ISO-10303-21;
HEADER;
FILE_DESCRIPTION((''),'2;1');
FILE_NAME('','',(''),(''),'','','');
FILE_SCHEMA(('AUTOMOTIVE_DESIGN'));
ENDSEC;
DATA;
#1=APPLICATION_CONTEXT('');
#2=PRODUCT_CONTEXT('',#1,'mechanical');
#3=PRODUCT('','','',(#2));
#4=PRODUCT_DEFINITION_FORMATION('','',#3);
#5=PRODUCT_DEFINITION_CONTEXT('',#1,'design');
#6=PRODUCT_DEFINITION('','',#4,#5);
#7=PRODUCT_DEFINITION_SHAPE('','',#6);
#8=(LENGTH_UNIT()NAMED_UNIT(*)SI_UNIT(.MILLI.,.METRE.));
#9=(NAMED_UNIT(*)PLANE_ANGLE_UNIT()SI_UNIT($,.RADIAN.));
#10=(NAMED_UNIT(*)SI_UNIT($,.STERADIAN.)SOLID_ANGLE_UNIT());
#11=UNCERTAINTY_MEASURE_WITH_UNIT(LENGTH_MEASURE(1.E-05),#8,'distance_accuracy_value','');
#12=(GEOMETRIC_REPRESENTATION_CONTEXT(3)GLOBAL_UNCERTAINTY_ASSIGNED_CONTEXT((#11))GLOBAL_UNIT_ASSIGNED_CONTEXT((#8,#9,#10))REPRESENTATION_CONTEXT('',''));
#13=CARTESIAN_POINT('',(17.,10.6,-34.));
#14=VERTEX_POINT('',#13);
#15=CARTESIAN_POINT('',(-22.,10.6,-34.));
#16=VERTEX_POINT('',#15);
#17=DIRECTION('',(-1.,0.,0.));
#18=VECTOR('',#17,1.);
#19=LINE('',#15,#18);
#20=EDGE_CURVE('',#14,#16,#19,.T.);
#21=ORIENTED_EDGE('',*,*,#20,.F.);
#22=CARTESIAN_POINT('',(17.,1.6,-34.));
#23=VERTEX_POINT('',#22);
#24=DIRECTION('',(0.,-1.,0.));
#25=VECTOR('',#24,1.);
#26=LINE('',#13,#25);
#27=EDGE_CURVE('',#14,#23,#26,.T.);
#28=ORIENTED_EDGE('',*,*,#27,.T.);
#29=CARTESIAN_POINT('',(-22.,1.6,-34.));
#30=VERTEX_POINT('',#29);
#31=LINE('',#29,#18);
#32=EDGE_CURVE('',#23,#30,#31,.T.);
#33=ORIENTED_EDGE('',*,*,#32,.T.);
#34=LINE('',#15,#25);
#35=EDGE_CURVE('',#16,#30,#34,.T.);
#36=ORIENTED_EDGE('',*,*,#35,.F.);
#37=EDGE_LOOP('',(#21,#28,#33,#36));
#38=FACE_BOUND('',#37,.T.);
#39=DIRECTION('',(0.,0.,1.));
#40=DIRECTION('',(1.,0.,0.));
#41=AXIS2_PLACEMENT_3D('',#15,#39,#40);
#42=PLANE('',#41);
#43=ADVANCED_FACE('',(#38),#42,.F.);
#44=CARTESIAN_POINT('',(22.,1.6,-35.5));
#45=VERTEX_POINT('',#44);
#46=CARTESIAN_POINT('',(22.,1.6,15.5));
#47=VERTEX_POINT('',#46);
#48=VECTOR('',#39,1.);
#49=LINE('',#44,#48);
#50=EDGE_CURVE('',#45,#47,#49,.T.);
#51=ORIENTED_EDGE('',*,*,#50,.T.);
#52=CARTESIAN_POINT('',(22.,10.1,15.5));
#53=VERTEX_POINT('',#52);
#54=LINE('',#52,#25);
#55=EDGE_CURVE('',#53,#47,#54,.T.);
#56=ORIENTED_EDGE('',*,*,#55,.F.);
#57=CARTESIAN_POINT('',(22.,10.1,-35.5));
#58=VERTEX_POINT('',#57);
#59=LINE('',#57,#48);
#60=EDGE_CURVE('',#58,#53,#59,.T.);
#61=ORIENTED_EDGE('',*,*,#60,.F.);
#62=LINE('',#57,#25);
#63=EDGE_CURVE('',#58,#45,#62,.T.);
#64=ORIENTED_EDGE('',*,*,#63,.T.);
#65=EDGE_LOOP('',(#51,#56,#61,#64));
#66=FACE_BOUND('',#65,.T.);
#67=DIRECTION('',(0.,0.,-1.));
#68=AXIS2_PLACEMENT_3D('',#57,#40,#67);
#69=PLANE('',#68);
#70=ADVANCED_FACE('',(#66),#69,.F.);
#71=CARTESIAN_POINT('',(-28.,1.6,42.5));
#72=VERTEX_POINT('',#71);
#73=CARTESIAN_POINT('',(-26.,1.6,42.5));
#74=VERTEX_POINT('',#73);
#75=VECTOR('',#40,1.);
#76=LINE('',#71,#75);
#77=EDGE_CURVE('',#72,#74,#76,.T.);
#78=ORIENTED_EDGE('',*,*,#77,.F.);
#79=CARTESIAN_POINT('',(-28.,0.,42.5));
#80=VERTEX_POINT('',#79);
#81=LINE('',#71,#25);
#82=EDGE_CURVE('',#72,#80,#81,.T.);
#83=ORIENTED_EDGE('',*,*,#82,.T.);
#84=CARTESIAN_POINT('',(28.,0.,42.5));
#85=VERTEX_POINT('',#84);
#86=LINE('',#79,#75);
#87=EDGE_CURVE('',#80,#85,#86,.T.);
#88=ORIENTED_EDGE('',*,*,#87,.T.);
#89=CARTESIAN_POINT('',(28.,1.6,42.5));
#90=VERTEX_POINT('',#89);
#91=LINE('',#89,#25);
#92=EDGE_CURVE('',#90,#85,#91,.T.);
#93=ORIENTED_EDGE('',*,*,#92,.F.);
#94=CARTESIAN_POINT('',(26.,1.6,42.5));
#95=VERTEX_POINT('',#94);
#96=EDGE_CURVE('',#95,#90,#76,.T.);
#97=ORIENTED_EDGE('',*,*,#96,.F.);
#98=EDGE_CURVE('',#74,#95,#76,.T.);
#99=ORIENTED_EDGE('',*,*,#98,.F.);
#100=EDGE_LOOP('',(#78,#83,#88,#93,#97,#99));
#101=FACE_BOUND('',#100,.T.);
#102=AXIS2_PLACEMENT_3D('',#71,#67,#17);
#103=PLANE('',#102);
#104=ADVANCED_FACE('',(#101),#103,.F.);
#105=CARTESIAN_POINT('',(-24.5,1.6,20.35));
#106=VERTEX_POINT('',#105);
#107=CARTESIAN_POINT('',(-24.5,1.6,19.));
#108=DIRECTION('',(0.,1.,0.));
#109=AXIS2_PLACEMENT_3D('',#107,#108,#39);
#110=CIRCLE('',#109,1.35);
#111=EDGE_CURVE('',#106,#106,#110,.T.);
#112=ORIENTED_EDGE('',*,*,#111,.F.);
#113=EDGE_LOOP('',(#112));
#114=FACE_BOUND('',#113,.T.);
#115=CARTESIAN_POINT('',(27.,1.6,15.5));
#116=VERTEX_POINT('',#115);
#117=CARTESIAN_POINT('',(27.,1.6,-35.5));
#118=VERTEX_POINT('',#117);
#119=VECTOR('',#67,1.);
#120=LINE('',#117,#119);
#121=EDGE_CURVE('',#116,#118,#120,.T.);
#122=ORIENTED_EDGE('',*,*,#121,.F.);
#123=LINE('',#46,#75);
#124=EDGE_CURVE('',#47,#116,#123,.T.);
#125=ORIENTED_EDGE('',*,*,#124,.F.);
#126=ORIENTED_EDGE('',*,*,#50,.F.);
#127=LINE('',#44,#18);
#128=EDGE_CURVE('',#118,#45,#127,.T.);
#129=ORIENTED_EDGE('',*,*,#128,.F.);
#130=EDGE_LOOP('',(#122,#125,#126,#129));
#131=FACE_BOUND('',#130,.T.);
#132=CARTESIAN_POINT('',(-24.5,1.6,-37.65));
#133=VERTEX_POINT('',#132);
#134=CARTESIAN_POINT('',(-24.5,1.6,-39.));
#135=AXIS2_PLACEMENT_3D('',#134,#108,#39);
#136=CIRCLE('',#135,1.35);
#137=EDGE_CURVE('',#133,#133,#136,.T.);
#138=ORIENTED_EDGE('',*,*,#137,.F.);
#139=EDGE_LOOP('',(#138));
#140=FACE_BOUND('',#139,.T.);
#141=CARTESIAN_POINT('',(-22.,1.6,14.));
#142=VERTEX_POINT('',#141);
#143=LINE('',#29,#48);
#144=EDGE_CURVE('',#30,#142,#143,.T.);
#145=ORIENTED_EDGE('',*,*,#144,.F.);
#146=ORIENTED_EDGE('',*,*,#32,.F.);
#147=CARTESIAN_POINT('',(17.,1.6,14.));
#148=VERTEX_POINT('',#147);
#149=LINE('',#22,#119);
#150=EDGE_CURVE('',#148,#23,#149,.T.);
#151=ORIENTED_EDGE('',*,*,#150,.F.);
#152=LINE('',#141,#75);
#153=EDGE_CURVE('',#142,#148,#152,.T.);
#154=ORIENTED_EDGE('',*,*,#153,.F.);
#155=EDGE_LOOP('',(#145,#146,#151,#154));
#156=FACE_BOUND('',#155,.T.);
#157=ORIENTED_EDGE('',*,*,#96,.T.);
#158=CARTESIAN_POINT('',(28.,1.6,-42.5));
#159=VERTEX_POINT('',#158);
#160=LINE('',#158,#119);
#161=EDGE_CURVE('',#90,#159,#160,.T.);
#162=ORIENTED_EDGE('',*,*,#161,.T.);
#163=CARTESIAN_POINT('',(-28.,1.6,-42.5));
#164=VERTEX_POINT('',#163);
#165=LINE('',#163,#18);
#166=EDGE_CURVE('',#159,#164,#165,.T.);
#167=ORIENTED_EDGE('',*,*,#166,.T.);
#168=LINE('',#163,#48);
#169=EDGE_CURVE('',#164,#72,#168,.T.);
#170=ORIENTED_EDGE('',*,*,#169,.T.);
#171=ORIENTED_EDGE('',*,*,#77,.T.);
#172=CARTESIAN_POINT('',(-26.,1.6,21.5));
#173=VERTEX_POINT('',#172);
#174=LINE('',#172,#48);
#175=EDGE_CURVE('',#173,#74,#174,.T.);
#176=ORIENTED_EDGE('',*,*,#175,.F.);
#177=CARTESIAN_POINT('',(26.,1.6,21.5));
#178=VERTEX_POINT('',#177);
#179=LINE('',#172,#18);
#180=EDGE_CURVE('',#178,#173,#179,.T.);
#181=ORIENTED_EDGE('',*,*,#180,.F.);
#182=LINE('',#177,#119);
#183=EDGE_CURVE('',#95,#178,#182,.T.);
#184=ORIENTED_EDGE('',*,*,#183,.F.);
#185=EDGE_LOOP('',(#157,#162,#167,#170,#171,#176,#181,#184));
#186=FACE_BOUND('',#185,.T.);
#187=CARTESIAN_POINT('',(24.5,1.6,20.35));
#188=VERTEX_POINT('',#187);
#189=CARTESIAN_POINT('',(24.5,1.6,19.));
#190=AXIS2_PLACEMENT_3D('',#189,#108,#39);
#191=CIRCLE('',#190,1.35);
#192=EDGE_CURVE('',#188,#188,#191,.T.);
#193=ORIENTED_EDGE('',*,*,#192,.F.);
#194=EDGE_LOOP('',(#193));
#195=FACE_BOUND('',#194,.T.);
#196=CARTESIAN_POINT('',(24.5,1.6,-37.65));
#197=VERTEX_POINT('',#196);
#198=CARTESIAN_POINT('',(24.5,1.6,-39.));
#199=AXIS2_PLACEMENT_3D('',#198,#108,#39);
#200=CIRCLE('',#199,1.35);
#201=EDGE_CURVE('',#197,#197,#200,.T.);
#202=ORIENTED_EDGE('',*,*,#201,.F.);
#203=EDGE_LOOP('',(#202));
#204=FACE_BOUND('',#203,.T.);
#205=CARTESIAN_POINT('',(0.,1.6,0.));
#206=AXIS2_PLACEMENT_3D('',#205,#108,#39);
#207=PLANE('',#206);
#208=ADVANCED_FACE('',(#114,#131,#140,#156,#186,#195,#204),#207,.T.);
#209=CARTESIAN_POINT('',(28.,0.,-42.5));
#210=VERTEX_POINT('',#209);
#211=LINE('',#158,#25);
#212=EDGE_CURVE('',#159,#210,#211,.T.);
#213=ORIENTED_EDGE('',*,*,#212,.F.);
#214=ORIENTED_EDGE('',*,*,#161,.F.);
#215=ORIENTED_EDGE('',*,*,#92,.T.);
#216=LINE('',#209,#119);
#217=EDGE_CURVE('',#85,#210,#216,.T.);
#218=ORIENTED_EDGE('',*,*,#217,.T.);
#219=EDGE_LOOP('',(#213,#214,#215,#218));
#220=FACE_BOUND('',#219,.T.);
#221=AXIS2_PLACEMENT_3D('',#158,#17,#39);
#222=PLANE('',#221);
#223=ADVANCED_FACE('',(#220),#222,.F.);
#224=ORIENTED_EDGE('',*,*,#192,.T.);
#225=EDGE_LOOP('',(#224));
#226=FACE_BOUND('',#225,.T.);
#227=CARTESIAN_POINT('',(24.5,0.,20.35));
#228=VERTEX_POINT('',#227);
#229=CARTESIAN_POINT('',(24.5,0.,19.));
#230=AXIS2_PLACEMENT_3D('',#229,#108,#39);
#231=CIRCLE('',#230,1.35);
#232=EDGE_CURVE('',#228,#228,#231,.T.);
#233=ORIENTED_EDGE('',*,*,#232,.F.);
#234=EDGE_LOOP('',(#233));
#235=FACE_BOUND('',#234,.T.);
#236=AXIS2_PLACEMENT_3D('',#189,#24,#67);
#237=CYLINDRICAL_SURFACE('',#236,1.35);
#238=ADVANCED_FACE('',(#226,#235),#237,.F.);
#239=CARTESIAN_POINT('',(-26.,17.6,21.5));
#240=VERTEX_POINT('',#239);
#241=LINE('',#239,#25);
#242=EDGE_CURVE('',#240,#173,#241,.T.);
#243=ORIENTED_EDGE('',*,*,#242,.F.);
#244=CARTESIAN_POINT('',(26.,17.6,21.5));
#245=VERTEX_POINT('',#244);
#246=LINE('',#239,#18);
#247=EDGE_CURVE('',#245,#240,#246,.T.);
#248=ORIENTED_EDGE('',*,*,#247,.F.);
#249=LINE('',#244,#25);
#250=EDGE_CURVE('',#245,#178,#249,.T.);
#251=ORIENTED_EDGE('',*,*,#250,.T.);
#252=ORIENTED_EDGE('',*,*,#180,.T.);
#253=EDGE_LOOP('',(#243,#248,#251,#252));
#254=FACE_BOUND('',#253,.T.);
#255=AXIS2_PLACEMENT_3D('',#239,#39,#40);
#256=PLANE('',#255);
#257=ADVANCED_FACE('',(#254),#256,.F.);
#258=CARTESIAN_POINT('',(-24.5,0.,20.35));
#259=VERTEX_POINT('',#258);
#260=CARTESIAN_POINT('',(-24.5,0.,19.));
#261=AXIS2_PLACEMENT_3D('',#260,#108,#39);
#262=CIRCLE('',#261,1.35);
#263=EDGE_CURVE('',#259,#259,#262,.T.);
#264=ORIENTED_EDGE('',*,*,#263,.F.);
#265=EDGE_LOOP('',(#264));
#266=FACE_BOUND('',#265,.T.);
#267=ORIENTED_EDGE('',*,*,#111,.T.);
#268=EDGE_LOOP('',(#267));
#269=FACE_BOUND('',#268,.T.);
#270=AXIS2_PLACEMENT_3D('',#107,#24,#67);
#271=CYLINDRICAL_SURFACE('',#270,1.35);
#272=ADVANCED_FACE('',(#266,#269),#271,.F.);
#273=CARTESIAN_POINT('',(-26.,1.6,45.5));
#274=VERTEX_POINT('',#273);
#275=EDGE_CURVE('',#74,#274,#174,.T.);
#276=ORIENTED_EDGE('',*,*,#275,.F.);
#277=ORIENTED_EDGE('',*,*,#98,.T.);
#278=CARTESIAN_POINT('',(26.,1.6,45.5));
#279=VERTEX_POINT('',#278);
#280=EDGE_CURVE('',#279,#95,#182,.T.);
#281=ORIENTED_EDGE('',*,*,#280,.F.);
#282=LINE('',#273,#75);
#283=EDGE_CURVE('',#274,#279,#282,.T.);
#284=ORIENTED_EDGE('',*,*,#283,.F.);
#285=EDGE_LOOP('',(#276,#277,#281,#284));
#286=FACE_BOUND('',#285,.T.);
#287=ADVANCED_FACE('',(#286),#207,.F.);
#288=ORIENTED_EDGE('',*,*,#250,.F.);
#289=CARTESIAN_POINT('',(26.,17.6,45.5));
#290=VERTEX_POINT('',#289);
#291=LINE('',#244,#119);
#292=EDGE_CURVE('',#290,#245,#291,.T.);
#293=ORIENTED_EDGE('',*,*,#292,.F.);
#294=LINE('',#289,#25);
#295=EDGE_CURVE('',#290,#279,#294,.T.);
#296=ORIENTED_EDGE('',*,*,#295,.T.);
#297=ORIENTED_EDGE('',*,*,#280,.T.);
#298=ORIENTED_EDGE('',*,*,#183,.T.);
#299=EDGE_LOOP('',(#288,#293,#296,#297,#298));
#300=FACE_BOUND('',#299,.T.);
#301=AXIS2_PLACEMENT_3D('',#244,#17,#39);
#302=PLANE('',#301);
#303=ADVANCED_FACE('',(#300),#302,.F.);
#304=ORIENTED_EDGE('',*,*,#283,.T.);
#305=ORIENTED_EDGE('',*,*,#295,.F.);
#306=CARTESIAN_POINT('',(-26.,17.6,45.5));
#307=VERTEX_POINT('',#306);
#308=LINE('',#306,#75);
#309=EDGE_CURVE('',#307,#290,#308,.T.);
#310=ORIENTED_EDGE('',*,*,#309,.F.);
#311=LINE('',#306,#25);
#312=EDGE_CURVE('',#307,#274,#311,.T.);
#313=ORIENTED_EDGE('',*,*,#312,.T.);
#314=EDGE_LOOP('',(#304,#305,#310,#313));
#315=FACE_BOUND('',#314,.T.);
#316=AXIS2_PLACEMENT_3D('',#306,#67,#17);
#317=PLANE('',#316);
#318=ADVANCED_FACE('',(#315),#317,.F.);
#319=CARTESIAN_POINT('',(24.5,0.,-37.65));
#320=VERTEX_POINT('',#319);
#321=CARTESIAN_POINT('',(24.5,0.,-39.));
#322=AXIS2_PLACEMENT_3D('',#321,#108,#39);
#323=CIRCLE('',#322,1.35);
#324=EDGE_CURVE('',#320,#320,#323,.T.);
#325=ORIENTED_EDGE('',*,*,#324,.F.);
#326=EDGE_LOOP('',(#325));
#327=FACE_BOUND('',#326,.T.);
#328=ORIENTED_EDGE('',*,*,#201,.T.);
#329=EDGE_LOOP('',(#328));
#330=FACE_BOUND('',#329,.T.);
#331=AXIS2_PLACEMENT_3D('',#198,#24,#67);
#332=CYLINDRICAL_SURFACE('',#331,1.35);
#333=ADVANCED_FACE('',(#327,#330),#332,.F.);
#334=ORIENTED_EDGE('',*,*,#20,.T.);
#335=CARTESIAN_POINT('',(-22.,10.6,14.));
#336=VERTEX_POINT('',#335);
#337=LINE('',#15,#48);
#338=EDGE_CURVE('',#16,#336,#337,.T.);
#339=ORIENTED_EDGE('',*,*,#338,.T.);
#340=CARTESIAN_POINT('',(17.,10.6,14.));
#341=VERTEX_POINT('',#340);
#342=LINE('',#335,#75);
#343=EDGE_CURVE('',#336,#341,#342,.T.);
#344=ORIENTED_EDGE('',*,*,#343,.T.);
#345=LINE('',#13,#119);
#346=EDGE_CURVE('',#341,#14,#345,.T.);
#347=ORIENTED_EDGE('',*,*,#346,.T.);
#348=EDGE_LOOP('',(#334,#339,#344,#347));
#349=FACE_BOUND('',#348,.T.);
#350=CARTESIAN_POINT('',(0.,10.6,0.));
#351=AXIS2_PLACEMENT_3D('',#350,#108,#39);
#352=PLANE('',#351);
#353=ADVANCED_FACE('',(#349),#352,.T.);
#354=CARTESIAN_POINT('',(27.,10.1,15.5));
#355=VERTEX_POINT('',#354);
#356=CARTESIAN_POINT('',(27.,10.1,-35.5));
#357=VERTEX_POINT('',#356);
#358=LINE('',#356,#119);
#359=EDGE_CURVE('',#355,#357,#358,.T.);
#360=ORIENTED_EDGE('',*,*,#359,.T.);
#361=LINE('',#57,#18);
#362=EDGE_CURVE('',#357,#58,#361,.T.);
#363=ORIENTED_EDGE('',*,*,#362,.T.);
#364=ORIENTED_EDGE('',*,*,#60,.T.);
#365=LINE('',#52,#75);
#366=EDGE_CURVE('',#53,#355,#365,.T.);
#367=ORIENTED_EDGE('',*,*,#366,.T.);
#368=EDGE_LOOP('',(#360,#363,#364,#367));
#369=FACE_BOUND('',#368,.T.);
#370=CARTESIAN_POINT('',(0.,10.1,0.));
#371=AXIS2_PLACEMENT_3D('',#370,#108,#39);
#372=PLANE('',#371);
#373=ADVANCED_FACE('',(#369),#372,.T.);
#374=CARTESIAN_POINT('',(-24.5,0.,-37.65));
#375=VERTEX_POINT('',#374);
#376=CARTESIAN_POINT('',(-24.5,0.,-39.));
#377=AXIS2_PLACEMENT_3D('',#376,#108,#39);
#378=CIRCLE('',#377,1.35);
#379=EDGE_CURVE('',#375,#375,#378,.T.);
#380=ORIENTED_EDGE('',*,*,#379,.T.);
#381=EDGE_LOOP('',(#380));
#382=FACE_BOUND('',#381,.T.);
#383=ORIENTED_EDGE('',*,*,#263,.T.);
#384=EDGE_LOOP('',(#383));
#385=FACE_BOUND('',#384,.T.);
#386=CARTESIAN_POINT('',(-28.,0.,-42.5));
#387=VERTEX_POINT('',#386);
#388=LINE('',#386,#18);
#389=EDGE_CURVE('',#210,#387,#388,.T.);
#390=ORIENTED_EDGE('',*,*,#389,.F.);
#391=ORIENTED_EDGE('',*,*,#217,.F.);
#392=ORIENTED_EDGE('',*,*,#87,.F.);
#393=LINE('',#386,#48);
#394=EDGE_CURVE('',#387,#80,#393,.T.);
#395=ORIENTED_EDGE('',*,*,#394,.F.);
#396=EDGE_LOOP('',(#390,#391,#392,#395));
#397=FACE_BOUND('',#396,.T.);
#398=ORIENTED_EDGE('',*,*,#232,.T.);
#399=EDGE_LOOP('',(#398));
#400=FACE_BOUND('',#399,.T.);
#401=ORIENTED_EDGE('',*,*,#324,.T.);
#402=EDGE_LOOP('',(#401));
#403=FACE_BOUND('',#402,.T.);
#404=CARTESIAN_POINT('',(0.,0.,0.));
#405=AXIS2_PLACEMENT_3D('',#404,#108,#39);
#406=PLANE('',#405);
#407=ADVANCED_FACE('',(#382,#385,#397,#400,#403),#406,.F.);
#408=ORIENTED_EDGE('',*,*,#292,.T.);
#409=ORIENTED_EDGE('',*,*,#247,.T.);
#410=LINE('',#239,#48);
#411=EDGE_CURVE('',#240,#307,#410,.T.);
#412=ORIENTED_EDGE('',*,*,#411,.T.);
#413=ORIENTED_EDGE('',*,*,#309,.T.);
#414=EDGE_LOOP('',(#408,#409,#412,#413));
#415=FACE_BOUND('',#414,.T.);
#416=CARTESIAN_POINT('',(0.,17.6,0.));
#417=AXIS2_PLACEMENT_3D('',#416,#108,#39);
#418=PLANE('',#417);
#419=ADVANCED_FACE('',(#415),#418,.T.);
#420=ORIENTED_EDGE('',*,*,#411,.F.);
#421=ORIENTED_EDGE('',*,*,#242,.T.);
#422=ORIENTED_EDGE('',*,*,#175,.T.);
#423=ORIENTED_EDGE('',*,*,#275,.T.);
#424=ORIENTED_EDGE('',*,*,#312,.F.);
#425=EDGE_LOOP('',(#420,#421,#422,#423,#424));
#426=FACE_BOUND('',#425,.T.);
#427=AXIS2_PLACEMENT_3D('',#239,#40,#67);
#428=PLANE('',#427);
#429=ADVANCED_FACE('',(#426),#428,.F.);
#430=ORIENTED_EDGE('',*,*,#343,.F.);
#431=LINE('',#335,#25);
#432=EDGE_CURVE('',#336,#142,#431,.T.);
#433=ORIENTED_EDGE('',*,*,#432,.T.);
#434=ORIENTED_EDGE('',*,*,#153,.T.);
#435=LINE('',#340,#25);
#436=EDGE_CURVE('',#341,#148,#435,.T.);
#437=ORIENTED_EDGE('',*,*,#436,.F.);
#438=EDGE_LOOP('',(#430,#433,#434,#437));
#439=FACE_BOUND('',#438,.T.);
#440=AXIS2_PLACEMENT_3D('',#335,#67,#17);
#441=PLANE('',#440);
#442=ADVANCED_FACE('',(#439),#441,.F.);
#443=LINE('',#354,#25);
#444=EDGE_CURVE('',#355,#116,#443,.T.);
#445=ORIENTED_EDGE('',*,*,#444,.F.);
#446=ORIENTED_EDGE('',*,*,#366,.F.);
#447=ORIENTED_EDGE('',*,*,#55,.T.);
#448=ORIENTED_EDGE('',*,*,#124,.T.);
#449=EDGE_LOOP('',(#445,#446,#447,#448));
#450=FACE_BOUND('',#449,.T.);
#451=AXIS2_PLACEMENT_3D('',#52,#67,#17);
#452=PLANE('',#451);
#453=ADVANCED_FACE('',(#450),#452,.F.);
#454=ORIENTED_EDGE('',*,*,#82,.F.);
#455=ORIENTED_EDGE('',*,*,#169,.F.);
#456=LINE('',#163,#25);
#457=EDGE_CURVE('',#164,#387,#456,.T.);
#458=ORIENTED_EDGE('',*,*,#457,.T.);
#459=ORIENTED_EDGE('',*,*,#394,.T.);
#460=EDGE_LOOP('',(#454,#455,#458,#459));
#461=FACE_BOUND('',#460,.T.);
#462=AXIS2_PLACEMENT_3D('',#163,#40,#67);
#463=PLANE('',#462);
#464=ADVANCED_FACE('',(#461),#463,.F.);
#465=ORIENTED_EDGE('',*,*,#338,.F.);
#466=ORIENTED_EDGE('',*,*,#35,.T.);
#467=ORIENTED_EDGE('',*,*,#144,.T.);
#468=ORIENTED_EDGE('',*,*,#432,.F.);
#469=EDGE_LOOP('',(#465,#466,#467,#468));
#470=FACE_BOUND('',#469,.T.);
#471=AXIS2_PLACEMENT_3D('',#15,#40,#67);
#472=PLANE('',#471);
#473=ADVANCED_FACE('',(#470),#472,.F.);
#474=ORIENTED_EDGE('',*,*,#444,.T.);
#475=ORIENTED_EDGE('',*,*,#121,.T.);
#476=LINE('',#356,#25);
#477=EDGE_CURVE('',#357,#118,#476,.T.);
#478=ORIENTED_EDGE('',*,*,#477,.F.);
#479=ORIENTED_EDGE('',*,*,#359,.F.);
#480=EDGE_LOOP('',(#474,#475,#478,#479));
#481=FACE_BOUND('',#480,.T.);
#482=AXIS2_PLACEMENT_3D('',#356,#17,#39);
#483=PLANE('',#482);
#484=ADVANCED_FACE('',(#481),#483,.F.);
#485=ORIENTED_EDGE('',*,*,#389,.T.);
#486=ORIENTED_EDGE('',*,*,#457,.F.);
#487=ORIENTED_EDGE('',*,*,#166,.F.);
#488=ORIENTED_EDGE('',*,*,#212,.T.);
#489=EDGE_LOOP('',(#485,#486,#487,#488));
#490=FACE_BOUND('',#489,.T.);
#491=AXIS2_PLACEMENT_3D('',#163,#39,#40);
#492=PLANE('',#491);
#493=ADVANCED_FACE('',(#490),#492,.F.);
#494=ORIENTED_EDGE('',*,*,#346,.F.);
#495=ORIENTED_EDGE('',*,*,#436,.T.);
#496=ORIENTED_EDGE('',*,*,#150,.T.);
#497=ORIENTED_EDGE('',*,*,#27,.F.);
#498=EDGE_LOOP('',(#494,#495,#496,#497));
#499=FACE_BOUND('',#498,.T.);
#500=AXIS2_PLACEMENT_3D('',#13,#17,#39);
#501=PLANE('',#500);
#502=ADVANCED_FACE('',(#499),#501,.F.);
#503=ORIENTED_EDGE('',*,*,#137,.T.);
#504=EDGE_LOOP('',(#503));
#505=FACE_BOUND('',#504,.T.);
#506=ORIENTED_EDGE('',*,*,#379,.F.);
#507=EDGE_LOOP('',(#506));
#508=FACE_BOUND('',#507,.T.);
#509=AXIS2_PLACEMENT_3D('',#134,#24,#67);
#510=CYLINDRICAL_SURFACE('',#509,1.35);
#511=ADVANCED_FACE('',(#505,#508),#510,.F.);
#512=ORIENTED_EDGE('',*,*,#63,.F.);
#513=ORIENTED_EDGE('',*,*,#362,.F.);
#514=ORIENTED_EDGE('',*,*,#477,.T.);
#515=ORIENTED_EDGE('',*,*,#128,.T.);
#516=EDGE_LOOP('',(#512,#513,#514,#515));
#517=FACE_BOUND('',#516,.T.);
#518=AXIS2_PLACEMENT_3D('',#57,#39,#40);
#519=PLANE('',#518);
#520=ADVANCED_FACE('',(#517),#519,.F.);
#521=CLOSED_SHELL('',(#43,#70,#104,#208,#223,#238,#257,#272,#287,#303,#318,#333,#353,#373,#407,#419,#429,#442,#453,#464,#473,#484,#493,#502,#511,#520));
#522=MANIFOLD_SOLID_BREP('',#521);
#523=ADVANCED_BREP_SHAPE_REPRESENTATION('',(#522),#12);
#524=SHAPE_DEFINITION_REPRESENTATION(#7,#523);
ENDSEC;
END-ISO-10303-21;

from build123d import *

# Parameters (mm, degrees)
SK_BOARD_W              = 56
SK_BOARD_H              = 85
EX_BOARD_DEPTH          = 1.6
SK_MOUNTHOLES_4X_R      = 1.35
CUT_MOUNTHOLES_4X_DEPTH = 1.6
SK_PORTS_USB_ETH_W      = 52
SK_PORTS_USB_ETH_H      = 24
EX_PORTS_USB_ETH_DEPTH  = 16
SK_ACTIVECOOLER_W       = 39
SK_ACTIVECOOLER_H       = 48
EX_ACTIVECOOLER_DEPTH   = 9
SK_GPIO_W               = 5
SK_GPIO_H               = 51
EX_GPIO_DEPTH           = 8.5


with BuildPart() as part:
    # SK_Board → EX_Board (new body)
    with BuildSketch(Plane(origin=(0, 0, 0), x_dir=(1, 0, 0), z_dir=(0, 1, 0))):
        Rectangle(SK_BOARD_W, SK_BOARD_H)
    extrude(amount=EX_BOARD_DEPTH)

    # SK_MountHoles_4x → CUT_MountHoles_4x (cut)
    with BuildSketch(Plane(origin=(0, 0, 0), x_dir=(1, 0, 0), z_dir=(0, 1, 0))):
        with Locations((-24.5, 39)):
            Circle(SK_MOUNTHOLES_4X_R)
        with Locations((24.5, 39)):
            Circle(SK_MOUNTHOLES_4X_R)
        with Locations((-24.5, -19)):
            Circle(SK_MOUNTHOLES_4X_R)
        with Locations((24.5, -19)):
            Circle(SK_MOUNTHOLES_4X_R)
    extrude(amount=CUT_MOUNTHOLES_4X_DEPTH, mode=Mode.SUBTRACT)

    # SK_Ports_USB_ETH → EX_Ports_USB_ETH (add)
    with BuildSketch(Plane(origin=(0, 1.6, 0), x_dir=(1, 0, 0), z_dir=(0, 1, 0))):
        with Locations((0, -33.5)):
            Rectangle(SK_PORTS_USB_ETH_W, SK_PORTS_USB_ETH_H)
    extrude(amount=EX_PORTS_USB_ETH_DEPTH)

    # SK_ActiveCooler → EX_ActiveCooler (add)
    with BuildSketch(Plane(origin=(0, 1.6, 0), x_dir=(1, 0, 0), z_dir=(0, 1, 0))):
        with Locations((-2.5, 10)):
            Rectangle(SK_ACTIVECOOLER_W, SK_ACTIVECOOLER_H)
    extrude(amount=EX_ACTIVECOOLER_DEPTH)

    # SK_GPIO → EX_GPIO (add)
    with BuildSketch(Plane(origin=(0, 1.6, 0), x_dir=(1, 0, 0), z_dir=(0, 1, 0))):
        with Locations((24.5, 10)):
            Rectangle(SK_GPIO_W, SK_GPIO_H)
    extrude(amount=EX_GPIO_DEPTH)


solid = part.part
